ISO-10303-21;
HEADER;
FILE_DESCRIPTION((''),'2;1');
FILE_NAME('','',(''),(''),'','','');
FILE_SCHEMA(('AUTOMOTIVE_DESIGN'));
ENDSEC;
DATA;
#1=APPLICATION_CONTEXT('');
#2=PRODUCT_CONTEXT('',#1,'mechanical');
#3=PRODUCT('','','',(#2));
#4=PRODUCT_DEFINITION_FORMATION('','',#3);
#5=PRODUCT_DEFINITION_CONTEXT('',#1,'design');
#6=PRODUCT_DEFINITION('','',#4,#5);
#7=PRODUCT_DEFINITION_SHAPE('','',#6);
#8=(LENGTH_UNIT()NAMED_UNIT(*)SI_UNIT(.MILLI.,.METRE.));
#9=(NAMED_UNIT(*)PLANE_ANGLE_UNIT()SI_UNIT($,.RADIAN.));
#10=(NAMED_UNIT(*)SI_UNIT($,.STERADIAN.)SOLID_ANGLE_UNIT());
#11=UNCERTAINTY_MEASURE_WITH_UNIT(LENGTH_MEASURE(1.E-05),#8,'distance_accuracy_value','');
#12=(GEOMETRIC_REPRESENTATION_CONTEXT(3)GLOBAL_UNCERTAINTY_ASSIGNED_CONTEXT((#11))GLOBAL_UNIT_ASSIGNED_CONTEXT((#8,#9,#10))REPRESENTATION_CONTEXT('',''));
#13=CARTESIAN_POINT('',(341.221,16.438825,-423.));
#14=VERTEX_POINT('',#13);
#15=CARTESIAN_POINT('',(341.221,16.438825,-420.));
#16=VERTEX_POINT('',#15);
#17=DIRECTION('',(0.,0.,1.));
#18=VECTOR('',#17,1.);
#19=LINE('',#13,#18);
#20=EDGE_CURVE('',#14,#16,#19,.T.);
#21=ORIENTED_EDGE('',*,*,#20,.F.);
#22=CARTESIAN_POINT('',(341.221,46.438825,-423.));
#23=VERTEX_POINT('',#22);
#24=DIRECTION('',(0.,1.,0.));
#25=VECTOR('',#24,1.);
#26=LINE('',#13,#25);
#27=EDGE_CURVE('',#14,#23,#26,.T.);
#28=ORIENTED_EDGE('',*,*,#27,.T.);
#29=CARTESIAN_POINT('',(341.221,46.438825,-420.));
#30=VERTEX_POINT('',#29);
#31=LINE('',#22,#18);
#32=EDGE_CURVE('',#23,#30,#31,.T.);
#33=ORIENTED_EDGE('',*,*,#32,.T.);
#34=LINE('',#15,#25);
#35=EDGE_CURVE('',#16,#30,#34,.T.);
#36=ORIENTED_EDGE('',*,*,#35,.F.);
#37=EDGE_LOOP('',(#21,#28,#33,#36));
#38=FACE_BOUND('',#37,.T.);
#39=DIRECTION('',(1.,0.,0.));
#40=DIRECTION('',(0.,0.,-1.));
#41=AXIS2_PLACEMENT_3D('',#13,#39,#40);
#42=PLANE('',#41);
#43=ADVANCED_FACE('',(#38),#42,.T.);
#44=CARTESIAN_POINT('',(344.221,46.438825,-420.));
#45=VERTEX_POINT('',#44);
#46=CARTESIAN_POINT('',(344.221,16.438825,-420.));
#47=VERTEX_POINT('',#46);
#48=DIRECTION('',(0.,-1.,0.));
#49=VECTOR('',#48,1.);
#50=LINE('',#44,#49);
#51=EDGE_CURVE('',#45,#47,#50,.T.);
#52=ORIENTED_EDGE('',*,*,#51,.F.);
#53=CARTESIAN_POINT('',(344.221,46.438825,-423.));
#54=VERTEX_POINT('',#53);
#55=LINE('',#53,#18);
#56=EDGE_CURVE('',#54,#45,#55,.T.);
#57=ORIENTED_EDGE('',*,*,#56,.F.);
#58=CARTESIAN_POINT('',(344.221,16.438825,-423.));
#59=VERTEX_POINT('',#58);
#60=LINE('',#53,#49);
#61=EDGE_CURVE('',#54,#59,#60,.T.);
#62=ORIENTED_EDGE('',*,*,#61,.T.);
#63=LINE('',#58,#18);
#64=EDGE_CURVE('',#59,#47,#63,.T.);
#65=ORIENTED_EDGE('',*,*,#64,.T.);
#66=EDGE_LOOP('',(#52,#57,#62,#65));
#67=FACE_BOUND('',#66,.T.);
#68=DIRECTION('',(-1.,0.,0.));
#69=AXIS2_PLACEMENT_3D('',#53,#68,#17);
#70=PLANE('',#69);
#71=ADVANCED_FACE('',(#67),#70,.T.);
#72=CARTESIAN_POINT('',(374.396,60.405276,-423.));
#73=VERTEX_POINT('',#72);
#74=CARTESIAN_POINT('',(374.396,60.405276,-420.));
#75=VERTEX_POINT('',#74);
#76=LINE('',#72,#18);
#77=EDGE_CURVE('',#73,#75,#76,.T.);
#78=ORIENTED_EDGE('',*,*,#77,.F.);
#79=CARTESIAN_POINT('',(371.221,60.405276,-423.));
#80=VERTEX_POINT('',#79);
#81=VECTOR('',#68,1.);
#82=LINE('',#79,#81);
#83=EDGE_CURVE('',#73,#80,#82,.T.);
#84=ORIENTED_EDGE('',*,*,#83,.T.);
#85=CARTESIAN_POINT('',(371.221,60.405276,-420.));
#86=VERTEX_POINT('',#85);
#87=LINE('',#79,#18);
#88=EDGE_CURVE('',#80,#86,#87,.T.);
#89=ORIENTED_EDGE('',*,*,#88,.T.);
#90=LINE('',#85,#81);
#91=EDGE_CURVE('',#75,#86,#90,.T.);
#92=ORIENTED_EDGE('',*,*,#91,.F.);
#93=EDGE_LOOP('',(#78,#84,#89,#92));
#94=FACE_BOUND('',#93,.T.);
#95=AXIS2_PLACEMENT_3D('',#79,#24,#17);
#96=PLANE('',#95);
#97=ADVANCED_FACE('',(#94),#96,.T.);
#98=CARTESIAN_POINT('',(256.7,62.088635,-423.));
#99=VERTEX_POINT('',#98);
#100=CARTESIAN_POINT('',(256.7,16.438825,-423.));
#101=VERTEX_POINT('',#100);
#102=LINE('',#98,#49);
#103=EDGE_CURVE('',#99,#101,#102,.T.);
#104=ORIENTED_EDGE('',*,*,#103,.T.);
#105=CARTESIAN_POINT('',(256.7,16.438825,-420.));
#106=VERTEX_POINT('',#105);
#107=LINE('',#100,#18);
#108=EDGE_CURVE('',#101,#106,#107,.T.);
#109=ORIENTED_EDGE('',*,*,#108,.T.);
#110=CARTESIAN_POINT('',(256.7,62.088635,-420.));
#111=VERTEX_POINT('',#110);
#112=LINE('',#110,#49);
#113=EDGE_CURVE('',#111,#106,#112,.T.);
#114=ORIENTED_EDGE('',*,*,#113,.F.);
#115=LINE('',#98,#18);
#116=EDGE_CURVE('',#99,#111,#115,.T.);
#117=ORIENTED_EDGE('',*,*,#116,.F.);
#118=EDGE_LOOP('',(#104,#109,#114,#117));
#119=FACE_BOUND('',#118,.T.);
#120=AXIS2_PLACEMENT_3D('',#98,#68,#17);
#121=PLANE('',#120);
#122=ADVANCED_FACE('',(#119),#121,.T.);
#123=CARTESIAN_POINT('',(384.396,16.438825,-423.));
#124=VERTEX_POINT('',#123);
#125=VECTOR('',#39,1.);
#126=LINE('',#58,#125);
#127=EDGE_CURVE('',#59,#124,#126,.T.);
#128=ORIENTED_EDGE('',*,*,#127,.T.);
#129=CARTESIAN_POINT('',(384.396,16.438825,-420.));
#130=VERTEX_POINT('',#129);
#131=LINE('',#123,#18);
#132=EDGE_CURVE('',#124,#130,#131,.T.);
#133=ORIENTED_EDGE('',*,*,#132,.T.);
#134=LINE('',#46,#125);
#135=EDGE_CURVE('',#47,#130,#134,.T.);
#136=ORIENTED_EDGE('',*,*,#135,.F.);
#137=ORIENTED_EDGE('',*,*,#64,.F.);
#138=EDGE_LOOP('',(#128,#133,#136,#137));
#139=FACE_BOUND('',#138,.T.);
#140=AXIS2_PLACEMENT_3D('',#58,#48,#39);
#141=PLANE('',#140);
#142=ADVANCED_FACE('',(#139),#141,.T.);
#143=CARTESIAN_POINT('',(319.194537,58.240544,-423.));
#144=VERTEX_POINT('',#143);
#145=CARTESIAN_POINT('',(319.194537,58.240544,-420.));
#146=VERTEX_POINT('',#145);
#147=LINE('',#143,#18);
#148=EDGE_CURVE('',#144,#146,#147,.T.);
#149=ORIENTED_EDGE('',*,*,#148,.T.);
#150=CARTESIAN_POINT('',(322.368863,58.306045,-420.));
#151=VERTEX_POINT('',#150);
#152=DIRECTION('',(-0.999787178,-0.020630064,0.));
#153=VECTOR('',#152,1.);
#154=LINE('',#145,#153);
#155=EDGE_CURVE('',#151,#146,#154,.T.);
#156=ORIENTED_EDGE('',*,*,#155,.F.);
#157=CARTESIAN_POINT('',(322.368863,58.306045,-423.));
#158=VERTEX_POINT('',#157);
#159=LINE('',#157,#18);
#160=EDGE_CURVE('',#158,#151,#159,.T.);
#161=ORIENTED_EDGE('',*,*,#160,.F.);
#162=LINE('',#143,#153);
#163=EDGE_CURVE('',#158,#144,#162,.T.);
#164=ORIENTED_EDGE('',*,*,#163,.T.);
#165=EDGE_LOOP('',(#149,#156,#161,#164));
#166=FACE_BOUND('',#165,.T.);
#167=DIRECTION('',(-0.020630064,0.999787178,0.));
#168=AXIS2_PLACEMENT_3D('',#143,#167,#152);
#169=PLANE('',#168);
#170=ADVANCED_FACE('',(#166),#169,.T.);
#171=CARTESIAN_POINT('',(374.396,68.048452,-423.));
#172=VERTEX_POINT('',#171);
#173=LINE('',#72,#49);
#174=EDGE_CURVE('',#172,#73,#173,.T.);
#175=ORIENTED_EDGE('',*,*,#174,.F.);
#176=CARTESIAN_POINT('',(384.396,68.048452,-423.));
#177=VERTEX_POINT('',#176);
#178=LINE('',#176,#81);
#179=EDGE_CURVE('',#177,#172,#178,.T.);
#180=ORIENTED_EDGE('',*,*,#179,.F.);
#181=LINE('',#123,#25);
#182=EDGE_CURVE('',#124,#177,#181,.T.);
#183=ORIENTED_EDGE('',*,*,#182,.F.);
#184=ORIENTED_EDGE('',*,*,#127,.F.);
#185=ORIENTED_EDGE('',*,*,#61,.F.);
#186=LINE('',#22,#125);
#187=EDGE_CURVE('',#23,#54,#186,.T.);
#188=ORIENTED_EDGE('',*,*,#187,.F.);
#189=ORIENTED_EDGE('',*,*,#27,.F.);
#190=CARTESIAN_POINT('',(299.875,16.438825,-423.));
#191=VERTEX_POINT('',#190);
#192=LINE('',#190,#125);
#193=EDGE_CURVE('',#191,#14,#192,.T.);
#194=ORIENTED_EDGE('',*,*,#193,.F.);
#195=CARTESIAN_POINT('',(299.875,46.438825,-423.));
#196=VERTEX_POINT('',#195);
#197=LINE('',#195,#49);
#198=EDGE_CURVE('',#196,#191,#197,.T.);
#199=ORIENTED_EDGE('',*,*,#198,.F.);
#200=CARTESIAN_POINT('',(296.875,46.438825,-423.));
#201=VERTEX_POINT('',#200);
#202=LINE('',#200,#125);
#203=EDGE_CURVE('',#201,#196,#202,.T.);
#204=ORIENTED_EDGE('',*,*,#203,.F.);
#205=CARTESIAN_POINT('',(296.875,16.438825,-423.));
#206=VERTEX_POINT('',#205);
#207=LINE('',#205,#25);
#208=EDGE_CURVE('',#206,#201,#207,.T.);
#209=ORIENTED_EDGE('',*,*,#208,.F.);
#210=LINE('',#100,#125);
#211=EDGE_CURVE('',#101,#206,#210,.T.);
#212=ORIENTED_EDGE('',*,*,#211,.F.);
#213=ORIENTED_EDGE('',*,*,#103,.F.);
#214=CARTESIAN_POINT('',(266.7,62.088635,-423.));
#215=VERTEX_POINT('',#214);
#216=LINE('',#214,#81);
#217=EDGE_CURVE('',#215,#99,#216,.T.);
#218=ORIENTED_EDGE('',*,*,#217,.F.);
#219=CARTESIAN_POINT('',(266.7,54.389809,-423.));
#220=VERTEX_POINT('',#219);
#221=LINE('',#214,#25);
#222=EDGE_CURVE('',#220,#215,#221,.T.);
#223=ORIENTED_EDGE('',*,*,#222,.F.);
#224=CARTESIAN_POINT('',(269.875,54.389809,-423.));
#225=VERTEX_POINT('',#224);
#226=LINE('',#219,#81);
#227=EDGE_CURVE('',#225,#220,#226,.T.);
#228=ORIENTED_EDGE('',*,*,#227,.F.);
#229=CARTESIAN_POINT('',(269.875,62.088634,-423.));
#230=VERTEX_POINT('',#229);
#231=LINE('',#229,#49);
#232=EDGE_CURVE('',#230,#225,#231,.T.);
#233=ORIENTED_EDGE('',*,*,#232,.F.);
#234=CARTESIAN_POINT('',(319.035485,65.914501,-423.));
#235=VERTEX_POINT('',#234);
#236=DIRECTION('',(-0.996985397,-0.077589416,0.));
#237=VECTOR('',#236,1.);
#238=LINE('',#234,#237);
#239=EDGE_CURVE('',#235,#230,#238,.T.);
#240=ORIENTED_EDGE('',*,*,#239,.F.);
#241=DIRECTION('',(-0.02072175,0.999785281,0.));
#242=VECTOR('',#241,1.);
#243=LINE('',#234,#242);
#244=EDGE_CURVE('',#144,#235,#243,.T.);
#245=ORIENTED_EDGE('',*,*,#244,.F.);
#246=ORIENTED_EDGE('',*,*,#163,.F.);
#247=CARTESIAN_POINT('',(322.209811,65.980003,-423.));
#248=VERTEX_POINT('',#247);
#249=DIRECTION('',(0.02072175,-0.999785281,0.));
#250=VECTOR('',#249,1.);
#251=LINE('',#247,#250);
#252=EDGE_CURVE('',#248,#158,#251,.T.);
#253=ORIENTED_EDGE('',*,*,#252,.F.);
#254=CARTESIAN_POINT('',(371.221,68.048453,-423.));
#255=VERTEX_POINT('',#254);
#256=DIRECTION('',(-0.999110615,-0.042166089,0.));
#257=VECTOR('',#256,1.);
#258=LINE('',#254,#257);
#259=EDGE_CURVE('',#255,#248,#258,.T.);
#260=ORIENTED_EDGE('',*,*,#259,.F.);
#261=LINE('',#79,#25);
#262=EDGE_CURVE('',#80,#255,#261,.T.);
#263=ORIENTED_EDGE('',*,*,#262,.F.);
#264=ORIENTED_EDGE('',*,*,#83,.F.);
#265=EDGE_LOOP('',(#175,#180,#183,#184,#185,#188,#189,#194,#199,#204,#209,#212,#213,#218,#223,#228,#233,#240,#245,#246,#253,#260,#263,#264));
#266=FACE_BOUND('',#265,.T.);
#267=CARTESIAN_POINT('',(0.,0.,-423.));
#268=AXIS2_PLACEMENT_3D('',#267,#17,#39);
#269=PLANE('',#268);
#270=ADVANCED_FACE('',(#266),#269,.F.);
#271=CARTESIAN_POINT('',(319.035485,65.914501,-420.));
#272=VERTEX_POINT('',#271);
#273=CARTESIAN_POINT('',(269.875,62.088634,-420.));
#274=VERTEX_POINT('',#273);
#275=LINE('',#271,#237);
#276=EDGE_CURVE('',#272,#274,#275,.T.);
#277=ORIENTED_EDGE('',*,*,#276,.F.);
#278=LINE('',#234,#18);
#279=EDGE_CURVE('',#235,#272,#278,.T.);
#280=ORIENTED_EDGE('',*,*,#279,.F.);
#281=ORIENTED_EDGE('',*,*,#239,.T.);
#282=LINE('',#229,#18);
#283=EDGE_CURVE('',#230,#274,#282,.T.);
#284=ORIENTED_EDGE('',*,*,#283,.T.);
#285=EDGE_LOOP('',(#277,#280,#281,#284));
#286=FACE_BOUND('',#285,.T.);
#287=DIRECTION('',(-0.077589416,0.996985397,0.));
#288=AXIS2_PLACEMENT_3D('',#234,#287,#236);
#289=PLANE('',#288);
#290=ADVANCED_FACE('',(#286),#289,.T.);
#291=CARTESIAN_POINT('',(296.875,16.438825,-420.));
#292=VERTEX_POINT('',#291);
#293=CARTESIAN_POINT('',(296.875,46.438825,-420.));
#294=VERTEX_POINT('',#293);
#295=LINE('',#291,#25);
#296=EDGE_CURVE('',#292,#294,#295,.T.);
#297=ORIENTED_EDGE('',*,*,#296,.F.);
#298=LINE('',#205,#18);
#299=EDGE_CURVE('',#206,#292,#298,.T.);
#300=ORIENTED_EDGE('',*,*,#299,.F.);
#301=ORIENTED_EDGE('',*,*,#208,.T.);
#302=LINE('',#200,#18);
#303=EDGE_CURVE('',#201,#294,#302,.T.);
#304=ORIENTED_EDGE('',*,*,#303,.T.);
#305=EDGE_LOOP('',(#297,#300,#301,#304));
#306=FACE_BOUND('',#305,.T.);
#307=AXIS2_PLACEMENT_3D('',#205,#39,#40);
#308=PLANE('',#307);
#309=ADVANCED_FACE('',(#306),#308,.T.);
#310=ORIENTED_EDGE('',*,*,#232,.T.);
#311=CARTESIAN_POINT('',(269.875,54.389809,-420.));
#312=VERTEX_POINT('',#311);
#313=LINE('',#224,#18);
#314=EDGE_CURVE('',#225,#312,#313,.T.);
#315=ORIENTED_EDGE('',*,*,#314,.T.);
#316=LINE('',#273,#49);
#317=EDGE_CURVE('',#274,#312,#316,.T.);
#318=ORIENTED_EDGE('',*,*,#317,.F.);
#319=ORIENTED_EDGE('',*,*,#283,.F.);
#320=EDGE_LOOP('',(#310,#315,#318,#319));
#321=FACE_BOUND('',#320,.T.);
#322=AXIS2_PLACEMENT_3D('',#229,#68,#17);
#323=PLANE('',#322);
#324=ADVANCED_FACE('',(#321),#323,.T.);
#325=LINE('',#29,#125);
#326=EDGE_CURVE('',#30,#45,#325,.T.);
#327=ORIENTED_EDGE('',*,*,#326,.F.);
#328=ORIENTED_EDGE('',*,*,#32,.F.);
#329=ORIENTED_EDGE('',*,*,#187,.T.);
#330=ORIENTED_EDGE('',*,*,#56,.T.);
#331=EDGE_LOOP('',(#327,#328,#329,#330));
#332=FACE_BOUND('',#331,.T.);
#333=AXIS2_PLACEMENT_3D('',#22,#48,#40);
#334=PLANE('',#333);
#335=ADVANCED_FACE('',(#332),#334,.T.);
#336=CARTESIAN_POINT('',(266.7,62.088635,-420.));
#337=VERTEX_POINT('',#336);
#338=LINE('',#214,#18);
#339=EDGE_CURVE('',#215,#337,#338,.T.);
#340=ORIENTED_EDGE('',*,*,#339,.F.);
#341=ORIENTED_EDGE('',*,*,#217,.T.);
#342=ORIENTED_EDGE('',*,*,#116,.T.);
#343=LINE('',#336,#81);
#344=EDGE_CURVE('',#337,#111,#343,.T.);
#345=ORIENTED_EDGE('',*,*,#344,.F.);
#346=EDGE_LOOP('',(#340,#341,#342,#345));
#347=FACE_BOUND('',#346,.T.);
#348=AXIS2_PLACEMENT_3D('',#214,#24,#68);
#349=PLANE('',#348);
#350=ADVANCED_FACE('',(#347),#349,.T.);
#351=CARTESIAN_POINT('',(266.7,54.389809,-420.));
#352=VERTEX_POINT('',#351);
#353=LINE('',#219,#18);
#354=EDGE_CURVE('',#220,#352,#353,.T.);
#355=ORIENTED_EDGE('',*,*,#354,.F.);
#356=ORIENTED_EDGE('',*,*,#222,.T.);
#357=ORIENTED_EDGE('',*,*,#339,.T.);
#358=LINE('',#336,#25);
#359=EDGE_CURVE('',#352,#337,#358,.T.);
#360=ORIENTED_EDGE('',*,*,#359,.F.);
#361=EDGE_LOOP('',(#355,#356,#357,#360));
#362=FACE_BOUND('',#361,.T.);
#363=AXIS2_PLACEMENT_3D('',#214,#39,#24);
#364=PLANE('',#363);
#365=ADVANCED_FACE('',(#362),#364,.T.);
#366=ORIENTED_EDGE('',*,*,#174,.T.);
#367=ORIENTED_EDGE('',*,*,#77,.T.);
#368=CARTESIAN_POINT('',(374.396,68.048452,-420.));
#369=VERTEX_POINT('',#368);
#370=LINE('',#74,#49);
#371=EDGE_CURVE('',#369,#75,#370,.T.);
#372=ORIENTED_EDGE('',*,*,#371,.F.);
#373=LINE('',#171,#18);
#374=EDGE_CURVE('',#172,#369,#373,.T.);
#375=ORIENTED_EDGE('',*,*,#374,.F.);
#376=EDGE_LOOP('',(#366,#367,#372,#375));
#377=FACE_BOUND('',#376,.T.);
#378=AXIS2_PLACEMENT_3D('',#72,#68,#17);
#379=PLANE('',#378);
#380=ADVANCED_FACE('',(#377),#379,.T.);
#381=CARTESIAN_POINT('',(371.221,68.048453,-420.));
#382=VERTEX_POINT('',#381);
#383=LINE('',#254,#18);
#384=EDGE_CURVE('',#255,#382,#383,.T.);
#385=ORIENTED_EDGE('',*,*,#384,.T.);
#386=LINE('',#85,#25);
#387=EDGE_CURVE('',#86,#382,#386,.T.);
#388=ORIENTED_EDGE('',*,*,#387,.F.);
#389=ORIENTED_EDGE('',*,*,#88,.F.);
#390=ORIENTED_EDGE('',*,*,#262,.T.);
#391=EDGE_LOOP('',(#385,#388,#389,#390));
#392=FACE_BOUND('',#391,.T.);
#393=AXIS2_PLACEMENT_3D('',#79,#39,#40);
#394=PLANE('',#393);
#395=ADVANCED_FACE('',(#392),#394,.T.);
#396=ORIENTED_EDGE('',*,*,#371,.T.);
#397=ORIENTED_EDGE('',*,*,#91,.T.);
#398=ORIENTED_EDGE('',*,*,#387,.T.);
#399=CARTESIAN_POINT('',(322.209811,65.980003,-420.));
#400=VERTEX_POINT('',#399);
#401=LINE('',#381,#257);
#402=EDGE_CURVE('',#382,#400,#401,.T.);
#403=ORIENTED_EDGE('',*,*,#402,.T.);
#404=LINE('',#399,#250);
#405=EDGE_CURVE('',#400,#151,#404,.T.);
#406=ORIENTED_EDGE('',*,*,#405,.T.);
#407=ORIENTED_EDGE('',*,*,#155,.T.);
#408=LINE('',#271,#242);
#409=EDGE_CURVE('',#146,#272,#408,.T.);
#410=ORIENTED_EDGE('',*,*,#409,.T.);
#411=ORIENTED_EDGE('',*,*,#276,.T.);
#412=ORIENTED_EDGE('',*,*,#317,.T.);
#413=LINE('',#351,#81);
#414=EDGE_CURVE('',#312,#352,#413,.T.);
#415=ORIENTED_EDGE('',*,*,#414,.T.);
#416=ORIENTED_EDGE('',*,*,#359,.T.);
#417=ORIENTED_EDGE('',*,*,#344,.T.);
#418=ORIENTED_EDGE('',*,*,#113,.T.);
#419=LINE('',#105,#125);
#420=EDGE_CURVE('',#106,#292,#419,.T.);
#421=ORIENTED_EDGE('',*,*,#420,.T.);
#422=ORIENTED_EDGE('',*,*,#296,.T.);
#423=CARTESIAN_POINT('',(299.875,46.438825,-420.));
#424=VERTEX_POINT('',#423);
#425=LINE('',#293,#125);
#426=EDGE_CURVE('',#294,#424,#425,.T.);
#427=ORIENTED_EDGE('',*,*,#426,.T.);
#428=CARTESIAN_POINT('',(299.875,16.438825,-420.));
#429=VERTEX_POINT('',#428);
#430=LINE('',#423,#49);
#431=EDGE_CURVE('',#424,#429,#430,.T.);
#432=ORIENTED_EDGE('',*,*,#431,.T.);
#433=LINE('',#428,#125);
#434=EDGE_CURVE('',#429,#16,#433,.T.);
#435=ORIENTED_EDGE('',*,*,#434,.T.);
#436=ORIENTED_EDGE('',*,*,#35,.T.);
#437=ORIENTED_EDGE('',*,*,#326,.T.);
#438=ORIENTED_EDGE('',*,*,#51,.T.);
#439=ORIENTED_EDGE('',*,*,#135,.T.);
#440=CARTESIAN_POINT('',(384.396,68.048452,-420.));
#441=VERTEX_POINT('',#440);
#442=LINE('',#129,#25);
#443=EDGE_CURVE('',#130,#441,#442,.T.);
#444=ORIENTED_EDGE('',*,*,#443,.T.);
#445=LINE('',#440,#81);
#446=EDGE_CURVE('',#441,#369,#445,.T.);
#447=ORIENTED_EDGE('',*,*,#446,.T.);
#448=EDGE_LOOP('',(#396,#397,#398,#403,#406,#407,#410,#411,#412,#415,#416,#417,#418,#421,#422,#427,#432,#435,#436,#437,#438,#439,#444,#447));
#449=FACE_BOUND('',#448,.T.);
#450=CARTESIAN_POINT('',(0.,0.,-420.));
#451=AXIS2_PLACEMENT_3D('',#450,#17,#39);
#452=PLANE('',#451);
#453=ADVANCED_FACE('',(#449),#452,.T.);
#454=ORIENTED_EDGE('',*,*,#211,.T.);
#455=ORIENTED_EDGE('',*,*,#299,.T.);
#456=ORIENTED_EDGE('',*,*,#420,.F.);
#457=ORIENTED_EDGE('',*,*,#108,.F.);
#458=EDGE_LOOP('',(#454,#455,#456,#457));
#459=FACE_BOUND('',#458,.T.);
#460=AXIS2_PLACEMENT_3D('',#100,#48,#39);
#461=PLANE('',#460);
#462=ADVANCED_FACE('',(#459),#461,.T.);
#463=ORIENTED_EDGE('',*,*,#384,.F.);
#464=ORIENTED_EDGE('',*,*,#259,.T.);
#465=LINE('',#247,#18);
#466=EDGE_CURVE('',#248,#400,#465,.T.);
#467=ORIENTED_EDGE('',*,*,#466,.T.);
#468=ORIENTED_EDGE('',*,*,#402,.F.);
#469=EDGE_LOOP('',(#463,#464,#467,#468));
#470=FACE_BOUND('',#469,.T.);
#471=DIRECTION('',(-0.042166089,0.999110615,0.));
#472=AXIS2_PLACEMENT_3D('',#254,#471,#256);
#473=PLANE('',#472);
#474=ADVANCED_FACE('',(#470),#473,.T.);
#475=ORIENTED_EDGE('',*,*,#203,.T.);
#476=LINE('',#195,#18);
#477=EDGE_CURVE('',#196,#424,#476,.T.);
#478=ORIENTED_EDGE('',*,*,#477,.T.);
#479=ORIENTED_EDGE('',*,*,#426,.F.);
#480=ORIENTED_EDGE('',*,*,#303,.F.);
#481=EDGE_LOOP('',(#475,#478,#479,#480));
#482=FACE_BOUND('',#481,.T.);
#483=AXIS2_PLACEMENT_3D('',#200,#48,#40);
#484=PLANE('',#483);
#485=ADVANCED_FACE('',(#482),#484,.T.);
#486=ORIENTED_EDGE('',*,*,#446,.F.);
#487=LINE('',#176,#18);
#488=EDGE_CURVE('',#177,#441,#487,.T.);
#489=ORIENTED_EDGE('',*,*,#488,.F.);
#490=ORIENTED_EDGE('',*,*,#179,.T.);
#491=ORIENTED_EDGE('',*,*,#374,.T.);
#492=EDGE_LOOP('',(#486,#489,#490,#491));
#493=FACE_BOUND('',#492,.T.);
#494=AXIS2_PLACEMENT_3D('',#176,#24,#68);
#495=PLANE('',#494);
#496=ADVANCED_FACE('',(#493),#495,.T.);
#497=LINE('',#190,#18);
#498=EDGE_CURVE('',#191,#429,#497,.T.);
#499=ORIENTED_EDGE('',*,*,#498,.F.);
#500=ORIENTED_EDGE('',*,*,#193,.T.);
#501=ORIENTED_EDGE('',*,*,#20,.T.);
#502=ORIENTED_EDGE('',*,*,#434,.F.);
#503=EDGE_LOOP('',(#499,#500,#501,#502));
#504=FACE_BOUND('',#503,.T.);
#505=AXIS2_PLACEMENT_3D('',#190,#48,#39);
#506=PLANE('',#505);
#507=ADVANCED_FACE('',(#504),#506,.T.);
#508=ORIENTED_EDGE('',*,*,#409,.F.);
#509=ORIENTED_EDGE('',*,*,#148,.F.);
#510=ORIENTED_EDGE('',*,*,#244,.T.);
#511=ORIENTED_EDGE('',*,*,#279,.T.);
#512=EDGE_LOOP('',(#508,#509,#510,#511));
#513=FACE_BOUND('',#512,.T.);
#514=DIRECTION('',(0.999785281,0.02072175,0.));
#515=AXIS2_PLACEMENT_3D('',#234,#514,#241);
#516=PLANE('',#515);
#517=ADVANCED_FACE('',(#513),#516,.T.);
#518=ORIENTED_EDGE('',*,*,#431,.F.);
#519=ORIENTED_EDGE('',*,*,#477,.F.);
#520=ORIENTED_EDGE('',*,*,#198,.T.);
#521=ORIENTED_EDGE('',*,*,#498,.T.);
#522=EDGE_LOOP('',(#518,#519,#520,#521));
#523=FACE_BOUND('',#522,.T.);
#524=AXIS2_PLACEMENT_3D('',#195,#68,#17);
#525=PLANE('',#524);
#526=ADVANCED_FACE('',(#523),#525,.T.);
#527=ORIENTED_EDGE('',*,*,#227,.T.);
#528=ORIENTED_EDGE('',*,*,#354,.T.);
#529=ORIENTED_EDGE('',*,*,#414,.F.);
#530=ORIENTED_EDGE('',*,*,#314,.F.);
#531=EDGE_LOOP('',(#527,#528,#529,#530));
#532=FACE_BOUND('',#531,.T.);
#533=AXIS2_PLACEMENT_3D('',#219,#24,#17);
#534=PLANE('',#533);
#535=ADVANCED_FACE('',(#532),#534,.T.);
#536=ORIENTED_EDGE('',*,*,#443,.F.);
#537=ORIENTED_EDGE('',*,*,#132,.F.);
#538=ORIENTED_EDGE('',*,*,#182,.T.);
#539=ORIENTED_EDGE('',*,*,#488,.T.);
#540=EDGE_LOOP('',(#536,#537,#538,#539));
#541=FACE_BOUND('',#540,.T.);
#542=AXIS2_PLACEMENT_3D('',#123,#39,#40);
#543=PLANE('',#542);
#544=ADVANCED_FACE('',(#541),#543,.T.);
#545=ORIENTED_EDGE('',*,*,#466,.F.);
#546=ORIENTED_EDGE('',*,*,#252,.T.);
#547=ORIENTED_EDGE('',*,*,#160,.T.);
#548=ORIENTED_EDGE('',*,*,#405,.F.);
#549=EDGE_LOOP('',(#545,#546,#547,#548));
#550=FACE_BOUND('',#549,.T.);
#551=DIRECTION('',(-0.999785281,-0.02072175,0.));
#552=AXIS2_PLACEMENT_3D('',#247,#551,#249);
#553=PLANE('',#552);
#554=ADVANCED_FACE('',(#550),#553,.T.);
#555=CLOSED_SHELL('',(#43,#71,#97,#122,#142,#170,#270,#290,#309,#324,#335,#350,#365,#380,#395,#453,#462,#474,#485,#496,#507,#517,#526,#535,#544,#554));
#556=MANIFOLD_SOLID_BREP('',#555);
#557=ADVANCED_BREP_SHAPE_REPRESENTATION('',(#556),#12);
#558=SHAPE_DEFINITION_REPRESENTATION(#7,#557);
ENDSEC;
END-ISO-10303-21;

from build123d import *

# Parameters (mm, degrees)
BOSS_EXTRUDE1_DEPTH = 3


with BuildPart() as part:
    # Sketch2 → Boss-Extrude1 (new body)
    with BuildSketch(Plane.XY.offset(-420)):
        Polygon((371.221, 60.405275523), (374.396, 60.405275523), (374.396, 68.048452389), (384.396, 68.048452389), (384.396, 16.438825445), (344.221, 16.438825445), (344.221, 46.438825445), (341.221, 46.438825445), (341.221, 16.438825445), (299.875, 16.438825445), (299.875, 46.438825445), (296.875, 46.438825445), (296.875, 16.438825445), (256.7, 16.438825445), (256.7, 62.088634885), (266.7, 62.088634885), (266.7, 54.389809435), (269.875, 54.389809435), (269.875, 62.08863416), (319.035485474, 65.914500994), (319.194537443, 58.240544169), (322.368863109, 58.306044649), (322.209811102, 65.980003261), (371.221, 68.048453085), align=None)
    extrude(amount=-BOSS_EXTRUDE1_DEPTH)


solid = part.part
